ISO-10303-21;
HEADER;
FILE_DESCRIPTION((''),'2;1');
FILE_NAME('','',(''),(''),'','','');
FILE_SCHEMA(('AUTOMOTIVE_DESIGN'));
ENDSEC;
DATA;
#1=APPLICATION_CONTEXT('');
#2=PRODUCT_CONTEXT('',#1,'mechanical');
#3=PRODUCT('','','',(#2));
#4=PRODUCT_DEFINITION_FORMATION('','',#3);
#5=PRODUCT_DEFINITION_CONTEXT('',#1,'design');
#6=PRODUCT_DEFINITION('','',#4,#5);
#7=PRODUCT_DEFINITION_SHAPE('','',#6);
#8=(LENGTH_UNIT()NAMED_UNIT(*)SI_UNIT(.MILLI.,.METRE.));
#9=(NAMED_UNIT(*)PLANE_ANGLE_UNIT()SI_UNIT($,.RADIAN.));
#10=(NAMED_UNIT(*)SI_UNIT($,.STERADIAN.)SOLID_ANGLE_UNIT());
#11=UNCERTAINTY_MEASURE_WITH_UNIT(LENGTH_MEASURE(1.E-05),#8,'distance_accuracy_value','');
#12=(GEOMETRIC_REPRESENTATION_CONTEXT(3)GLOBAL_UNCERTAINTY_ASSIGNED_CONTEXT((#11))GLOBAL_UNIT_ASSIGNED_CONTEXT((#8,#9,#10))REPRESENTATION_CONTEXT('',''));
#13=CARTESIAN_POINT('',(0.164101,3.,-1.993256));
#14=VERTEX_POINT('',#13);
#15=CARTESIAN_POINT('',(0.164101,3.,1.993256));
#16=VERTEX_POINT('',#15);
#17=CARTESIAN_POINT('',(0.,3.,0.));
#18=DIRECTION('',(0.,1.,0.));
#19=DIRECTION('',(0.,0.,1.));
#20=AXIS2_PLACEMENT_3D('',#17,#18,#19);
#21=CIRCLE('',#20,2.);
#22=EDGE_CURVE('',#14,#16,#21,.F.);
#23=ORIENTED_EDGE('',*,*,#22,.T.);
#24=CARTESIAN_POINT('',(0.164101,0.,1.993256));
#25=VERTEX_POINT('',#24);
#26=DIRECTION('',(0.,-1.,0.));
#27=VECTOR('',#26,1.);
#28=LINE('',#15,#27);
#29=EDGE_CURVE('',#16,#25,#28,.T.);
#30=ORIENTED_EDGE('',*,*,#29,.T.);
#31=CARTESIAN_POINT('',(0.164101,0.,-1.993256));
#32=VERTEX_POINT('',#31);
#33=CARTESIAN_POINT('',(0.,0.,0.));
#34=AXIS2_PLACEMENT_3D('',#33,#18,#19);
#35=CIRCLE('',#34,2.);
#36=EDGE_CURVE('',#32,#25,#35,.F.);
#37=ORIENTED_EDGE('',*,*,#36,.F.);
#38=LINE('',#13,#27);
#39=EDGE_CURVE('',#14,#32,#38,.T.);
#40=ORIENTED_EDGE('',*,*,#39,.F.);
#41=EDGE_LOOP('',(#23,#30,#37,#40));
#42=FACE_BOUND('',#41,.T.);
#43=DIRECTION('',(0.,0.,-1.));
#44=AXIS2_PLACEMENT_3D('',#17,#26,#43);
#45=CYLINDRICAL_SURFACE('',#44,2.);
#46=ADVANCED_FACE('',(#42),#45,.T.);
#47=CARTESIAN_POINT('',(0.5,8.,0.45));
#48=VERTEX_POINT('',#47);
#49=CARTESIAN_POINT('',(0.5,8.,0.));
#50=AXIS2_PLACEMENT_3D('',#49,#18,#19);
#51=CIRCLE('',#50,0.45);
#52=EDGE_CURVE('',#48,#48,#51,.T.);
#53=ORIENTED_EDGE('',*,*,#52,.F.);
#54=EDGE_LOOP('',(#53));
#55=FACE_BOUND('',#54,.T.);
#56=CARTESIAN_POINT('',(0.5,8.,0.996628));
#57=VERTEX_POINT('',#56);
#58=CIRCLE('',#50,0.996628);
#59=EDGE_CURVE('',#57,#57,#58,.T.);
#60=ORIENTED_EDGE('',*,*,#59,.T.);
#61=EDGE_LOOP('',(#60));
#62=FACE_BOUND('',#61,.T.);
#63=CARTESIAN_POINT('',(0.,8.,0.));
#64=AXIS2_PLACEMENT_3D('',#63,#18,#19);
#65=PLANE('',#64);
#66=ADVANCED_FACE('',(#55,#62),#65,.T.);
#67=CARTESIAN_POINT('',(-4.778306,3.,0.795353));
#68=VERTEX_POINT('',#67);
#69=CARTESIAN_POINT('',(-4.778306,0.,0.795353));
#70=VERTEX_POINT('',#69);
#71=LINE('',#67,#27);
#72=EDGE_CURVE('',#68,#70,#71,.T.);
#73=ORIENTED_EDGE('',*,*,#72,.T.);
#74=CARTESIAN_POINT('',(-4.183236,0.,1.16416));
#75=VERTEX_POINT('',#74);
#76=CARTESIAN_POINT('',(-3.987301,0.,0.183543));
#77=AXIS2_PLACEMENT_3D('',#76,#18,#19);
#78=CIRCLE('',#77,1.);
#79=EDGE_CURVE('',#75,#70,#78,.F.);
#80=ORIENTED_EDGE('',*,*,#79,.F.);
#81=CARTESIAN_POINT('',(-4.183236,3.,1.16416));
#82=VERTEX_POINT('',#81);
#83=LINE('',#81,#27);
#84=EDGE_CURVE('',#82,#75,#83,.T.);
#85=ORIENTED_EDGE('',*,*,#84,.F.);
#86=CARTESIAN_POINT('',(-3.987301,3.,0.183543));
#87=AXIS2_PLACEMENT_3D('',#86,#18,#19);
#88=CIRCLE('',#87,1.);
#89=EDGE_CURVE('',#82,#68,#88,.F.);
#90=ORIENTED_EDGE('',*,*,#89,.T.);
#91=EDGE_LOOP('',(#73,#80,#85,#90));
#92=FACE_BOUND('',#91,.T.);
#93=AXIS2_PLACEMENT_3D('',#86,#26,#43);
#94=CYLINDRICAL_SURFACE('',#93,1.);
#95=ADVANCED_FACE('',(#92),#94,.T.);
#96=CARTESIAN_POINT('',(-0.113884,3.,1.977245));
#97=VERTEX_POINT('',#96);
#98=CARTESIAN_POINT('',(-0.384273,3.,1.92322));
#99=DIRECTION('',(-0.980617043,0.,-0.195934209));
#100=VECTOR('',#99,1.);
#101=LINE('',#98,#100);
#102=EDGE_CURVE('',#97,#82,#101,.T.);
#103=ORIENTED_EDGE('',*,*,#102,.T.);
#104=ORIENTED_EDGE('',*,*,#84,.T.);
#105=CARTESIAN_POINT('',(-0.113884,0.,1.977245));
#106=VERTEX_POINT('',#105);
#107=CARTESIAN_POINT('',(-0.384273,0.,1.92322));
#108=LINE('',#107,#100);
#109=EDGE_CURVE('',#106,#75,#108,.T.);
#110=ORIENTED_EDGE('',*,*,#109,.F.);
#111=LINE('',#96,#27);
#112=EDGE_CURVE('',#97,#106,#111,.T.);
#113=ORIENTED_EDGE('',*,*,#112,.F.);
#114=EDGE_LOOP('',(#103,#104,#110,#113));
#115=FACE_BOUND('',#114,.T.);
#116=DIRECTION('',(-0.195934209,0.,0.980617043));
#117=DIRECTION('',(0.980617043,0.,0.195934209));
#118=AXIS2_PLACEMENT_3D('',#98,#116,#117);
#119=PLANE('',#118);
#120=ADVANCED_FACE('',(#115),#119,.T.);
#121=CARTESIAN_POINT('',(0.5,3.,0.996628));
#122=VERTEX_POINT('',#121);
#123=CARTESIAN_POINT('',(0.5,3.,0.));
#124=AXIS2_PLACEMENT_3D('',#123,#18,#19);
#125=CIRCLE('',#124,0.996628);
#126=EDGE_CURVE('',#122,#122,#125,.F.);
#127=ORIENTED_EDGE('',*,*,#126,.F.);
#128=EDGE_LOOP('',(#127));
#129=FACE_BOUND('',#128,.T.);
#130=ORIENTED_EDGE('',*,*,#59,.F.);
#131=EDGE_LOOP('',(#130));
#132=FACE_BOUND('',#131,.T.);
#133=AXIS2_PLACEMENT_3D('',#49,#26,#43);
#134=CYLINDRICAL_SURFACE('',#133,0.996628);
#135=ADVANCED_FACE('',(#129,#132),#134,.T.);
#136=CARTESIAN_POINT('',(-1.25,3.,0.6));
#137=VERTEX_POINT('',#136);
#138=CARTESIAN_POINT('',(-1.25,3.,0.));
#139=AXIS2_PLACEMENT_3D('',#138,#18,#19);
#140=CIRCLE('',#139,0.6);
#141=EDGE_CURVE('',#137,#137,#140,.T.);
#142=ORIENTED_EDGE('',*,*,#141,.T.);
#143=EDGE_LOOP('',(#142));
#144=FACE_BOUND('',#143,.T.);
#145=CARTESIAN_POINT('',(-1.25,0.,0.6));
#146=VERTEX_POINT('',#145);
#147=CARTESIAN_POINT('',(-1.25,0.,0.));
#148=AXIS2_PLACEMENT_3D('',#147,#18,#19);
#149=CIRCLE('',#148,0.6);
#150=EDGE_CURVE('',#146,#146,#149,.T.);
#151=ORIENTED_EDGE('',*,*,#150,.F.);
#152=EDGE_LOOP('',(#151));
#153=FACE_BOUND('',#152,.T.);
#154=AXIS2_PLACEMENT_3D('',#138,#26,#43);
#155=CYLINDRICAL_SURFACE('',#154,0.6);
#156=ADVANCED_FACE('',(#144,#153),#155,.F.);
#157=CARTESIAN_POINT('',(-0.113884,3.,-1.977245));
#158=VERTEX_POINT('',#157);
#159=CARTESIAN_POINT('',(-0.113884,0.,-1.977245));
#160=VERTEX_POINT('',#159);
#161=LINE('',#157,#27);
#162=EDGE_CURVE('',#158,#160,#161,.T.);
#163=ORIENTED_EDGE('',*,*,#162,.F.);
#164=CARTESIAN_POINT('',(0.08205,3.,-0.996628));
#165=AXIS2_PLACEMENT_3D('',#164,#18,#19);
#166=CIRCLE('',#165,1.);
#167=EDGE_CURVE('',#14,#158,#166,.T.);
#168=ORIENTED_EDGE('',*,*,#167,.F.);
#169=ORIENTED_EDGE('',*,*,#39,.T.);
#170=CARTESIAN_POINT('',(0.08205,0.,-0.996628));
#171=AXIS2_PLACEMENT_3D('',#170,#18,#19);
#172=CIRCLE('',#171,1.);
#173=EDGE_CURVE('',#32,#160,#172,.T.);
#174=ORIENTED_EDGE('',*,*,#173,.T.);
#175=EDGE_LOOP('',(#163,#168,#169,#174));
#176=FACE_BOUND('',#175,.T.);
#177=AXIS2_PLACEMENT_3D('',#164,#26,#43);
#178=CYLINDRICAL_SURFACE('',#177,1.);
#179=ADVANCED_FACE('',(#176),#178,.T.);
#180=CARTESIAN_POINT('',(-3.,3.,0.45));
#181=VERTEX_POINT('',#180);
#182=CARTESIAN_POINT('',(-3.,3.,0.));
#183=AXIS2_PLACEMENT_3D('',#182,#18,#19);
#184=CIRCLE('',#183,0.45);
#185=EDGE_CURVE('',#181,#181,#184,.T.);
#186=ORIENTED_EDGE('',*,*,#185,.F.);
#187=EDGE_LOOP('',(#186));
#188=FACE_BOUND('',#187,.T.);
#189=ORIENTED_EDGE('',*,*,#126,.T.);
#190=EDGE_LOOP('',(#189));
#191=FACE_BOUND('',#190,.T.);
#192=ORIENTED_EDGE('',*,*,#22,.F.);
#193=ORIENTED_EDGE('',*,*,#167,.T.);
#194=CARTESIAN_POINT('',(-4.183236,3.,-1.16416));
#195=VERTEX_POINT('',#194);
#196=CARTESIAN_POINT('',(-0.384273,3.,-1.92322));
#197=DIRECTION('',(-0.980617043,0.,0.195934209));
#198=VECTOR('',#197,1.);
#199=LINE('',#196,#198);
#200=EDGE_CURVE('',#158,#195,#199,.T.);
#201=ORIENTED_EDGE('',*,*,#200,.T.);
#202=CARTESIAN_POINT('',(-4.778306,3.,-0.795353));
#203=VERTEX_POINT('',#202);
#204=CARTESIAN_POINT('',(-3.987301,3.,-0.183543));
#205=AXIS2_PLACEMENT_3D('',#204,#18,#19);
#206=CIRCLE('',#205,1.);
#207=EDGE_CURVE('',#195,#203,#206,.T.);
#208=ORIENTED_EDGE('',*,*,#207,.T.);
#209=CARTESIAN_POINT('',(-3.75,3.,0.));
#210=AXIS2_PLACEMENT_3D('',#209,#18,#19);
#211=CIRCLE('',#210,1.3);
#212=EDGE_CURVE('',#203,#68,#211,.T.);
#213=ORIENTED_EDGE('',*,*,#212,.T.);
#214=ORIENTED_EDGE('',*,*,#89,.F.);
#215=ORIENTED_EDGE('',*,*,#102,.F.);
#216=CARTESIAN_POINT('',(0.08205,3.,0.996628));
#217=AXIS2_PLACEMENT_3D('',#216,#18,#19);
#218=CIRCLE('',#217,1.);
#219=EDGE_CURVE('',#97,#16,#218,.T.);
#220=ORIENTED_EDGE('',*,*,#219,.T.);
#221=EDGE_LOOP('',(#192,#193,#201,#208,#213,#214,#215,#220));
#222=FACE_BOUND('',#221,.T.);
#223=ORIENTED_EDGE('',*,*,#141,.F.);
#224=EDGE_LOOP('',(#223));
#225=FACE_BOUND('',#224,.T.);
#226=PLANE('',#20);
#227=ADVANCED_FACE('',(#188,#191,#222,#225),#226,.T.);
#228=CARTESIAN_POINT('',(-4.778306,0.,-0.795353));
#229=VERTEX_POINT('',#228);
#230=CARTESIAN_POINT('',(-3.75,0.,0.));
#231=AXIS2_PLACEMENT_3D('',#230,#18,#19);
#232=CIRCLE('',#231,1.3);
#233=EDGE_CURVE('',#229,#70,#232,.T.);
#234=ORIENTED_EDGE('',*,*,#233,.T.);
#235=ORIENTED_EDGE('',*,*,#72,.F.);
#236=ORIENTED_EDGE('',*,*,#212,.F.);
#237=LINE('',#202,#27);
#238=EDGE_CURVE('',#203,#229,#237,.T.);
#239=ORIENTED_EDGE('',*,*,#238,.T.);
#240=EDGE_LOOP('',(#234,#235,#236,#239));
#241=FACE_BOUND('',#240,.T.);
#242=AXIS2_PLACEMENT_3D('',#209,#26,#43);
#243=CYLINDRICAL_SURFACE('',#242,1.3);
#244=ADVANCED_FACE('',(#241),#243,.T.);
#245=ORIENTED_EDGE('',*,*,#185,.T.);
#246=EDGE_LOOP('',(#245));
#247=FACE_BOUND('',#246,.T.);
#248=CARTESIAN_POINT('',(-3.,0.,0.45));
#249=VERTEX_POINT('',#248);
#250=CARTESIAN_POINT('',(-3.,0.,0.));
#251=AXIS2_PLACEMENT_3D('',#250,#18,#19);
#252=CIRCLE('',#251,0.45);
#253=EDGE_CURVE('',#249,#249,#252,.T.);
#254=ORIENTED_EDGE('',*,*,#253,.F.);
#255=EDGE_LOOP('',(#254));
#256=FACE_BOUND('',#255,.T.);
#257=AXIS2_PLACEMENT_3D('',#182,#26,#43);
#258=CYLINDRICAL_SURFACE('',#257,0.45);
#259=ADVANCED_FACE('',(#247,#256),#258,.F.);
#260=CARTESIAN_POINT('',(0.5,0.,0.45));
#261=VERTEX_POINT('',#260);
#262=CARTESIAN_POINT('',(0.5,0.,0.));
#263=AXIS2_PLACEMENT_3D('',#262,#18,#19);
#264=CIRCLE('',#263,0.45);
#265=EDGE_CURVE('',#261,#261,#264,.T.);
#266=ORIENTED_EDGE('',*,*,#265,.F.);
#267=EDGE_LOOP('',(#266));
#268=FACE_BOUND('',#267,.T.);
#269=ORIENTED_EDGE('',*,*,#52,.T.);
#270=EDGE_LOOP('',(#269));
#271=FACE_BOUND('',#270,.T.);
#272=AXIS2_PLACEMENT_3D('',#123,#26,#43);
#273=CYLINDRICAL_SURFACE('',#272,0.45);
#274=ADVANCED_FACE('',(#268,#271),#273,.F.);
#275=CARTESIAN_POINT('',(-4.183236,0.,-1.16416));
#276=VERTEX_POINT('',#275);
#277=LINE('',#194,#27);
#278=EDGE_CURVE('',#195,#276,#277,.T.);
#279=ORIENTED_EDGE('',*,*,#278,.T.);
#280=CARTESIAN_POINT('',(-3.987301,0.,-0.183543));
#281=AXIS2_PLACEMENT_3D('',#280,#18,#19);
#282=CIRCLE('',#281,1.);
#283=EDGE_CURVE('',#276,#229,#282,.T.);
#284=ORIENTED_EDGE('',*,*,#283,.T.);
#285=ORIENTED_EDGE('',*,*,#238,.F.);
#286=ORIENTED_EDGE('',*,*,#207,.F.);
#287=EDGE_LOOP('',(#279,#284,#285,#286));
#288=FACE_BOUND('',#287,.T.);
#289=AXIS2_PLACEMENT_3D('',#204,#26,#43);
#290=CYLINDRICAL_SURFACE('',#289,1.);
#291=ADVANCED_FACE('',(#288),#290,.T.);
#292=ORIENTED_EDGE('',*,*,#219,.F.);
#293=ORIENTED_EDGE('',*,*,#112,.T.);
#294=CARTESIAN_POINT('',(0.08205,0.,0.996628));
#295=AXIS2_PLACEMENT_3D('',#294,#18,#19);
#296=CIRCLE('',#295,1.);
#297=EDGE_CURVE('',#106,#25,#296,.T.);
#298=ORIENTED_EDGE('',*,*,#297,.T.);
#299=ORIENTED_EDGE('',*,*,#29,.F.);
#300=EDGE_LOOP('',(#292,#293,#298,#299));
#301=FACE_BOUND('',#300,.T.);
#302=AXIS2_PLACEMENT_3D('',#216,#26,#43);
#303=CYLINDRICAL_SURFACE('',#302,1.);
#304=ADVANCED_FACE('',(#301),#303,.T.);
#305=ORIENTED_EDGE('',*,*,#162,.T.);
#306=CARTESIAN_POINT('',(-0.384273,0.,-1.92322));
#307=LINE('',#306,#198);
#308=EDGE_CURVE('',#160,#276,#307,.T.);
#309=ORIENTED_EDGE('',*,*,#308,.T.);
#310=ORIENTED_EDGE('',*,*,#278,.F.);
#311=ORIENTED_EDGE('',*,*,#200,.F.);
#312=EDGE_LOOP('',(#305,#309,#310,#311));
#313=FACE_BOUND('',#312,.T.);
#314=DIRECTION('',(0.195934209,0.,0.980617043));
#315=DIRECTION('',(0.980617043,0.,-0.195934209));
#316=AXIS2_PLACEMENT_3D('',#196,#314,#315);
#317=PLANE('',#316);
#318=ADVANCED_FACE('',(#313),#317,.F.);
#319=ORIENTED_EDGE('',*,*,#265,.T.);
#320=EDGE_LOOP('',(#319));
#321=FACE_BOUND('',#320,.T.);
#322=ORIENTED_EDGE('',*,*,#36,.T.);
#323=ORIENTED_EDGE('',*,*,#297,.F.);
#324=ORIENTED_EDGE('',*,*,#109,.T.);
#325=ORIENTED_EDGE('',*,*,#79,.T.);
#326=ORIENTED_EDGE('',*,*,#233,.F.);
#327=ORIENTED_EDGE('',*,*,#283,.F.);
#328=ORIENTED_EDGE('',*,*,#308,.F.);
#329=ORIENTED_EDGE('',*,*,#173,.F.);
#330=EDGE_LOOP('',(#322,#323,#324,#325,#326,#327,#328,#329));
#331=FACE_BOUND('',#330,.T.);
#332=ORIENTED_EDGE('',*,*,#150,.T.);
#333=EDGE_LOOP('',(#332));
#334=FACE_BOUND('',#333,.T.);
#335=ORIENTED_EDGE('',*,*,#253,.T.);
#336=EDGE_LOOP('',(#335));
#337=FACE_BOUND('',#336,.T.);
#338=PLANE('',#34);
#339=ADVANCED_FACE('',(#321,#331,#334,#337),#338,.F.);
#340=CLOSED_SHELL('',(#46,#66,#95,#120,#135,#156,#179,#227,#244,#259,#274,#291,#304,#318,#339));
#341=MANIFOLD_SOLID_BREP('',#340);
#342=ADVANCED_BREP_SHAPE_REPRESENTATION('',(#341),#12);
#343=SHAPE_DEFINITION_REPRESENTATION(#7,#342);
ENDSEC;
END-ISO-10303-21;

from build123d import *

# Parameters (mm, degrees)
SKETCH1_R           = 0.45
SKETCH1_R_2         = 0.6
BOSS_EXTRUDE1_DEPTH = 3
SKETCH1_22_R        = 0.996628177
SKETCH1_22_R_2      = 0.45
BOSS_EXTRUDE2_DEPTH = 8


with BuildPart() as part:
    # Sketch1 → Boss-Extrude1 (new body)
    with BuildSketch(Plane(origin=(0, 0, 0), x_dir=(1, 0, 0), z_dir=(0, 1, 0))):
        with BuildLine():
            ThreePointArc((0.1641009, 1.993256355), (0.024548565, 1.994973575), (-0.113883759, 1.977245221))
            Line((-0.113883759, 1.977245221), (-4.183235691, 1.164159973))
            ThreePointArc((-4.183235691, 1.164159973), (-4.514100231, 1.033532975), (-4.77830642, 0.795352694))
            ThreePointArc((-4.77830642, 0.795352694), (-5.05, 0), (-4.77830642, -0.795352694))
            ThreePointArc((-4.77830642, -0.795352694), (-4.514100231, -1.033532975), (-4.183235691, -1.164159973))
            Line((-4.183235691, -1.164159973), (-0.11388376, -1.977245221))
            ThreePointArc((-0.11388376, -1.977245221), (0.024548564, -1.994973575), (0.164100898, -1.993256355))
            ThreePointArc((0.164100898, -1.993256355), (2, -1e-09), (0.1641009, 1.993256355))
        make_face()
        with Locations((-3, 0)):
            Circle(SKETCH1_R, mode=Mode.SUBTRACT)
        with Locations((-1.25, 0)):
            Circle(SKETCH1_R_2, mode=Mode.SUBTRACT)
        with Locations((0.5, 0)):
            Circle(SKETCH1_R, mode=Mode.SUBTRACT)
    extrude(amount=BOSS_EXTRUDE1_DEPTH)

    # Sketch1<22> → Boss-Extrude2 (add)
    with BuildSketch(Plane(origin=(0, 0, 0), x_dir=(1, 0, 0), z_dir=(0, 1, 0))):
        with Locations((0.5, 0)):
            Circle(SKETCH1_22_R)
        with Locations((0.5, 0)):
            Circle(SKETCH1_22_R_2, mode=Mode.SUBTRACT)
    extrude(amount=BOSS_EXTRUDE2_DEPTH)


solid = part.part
